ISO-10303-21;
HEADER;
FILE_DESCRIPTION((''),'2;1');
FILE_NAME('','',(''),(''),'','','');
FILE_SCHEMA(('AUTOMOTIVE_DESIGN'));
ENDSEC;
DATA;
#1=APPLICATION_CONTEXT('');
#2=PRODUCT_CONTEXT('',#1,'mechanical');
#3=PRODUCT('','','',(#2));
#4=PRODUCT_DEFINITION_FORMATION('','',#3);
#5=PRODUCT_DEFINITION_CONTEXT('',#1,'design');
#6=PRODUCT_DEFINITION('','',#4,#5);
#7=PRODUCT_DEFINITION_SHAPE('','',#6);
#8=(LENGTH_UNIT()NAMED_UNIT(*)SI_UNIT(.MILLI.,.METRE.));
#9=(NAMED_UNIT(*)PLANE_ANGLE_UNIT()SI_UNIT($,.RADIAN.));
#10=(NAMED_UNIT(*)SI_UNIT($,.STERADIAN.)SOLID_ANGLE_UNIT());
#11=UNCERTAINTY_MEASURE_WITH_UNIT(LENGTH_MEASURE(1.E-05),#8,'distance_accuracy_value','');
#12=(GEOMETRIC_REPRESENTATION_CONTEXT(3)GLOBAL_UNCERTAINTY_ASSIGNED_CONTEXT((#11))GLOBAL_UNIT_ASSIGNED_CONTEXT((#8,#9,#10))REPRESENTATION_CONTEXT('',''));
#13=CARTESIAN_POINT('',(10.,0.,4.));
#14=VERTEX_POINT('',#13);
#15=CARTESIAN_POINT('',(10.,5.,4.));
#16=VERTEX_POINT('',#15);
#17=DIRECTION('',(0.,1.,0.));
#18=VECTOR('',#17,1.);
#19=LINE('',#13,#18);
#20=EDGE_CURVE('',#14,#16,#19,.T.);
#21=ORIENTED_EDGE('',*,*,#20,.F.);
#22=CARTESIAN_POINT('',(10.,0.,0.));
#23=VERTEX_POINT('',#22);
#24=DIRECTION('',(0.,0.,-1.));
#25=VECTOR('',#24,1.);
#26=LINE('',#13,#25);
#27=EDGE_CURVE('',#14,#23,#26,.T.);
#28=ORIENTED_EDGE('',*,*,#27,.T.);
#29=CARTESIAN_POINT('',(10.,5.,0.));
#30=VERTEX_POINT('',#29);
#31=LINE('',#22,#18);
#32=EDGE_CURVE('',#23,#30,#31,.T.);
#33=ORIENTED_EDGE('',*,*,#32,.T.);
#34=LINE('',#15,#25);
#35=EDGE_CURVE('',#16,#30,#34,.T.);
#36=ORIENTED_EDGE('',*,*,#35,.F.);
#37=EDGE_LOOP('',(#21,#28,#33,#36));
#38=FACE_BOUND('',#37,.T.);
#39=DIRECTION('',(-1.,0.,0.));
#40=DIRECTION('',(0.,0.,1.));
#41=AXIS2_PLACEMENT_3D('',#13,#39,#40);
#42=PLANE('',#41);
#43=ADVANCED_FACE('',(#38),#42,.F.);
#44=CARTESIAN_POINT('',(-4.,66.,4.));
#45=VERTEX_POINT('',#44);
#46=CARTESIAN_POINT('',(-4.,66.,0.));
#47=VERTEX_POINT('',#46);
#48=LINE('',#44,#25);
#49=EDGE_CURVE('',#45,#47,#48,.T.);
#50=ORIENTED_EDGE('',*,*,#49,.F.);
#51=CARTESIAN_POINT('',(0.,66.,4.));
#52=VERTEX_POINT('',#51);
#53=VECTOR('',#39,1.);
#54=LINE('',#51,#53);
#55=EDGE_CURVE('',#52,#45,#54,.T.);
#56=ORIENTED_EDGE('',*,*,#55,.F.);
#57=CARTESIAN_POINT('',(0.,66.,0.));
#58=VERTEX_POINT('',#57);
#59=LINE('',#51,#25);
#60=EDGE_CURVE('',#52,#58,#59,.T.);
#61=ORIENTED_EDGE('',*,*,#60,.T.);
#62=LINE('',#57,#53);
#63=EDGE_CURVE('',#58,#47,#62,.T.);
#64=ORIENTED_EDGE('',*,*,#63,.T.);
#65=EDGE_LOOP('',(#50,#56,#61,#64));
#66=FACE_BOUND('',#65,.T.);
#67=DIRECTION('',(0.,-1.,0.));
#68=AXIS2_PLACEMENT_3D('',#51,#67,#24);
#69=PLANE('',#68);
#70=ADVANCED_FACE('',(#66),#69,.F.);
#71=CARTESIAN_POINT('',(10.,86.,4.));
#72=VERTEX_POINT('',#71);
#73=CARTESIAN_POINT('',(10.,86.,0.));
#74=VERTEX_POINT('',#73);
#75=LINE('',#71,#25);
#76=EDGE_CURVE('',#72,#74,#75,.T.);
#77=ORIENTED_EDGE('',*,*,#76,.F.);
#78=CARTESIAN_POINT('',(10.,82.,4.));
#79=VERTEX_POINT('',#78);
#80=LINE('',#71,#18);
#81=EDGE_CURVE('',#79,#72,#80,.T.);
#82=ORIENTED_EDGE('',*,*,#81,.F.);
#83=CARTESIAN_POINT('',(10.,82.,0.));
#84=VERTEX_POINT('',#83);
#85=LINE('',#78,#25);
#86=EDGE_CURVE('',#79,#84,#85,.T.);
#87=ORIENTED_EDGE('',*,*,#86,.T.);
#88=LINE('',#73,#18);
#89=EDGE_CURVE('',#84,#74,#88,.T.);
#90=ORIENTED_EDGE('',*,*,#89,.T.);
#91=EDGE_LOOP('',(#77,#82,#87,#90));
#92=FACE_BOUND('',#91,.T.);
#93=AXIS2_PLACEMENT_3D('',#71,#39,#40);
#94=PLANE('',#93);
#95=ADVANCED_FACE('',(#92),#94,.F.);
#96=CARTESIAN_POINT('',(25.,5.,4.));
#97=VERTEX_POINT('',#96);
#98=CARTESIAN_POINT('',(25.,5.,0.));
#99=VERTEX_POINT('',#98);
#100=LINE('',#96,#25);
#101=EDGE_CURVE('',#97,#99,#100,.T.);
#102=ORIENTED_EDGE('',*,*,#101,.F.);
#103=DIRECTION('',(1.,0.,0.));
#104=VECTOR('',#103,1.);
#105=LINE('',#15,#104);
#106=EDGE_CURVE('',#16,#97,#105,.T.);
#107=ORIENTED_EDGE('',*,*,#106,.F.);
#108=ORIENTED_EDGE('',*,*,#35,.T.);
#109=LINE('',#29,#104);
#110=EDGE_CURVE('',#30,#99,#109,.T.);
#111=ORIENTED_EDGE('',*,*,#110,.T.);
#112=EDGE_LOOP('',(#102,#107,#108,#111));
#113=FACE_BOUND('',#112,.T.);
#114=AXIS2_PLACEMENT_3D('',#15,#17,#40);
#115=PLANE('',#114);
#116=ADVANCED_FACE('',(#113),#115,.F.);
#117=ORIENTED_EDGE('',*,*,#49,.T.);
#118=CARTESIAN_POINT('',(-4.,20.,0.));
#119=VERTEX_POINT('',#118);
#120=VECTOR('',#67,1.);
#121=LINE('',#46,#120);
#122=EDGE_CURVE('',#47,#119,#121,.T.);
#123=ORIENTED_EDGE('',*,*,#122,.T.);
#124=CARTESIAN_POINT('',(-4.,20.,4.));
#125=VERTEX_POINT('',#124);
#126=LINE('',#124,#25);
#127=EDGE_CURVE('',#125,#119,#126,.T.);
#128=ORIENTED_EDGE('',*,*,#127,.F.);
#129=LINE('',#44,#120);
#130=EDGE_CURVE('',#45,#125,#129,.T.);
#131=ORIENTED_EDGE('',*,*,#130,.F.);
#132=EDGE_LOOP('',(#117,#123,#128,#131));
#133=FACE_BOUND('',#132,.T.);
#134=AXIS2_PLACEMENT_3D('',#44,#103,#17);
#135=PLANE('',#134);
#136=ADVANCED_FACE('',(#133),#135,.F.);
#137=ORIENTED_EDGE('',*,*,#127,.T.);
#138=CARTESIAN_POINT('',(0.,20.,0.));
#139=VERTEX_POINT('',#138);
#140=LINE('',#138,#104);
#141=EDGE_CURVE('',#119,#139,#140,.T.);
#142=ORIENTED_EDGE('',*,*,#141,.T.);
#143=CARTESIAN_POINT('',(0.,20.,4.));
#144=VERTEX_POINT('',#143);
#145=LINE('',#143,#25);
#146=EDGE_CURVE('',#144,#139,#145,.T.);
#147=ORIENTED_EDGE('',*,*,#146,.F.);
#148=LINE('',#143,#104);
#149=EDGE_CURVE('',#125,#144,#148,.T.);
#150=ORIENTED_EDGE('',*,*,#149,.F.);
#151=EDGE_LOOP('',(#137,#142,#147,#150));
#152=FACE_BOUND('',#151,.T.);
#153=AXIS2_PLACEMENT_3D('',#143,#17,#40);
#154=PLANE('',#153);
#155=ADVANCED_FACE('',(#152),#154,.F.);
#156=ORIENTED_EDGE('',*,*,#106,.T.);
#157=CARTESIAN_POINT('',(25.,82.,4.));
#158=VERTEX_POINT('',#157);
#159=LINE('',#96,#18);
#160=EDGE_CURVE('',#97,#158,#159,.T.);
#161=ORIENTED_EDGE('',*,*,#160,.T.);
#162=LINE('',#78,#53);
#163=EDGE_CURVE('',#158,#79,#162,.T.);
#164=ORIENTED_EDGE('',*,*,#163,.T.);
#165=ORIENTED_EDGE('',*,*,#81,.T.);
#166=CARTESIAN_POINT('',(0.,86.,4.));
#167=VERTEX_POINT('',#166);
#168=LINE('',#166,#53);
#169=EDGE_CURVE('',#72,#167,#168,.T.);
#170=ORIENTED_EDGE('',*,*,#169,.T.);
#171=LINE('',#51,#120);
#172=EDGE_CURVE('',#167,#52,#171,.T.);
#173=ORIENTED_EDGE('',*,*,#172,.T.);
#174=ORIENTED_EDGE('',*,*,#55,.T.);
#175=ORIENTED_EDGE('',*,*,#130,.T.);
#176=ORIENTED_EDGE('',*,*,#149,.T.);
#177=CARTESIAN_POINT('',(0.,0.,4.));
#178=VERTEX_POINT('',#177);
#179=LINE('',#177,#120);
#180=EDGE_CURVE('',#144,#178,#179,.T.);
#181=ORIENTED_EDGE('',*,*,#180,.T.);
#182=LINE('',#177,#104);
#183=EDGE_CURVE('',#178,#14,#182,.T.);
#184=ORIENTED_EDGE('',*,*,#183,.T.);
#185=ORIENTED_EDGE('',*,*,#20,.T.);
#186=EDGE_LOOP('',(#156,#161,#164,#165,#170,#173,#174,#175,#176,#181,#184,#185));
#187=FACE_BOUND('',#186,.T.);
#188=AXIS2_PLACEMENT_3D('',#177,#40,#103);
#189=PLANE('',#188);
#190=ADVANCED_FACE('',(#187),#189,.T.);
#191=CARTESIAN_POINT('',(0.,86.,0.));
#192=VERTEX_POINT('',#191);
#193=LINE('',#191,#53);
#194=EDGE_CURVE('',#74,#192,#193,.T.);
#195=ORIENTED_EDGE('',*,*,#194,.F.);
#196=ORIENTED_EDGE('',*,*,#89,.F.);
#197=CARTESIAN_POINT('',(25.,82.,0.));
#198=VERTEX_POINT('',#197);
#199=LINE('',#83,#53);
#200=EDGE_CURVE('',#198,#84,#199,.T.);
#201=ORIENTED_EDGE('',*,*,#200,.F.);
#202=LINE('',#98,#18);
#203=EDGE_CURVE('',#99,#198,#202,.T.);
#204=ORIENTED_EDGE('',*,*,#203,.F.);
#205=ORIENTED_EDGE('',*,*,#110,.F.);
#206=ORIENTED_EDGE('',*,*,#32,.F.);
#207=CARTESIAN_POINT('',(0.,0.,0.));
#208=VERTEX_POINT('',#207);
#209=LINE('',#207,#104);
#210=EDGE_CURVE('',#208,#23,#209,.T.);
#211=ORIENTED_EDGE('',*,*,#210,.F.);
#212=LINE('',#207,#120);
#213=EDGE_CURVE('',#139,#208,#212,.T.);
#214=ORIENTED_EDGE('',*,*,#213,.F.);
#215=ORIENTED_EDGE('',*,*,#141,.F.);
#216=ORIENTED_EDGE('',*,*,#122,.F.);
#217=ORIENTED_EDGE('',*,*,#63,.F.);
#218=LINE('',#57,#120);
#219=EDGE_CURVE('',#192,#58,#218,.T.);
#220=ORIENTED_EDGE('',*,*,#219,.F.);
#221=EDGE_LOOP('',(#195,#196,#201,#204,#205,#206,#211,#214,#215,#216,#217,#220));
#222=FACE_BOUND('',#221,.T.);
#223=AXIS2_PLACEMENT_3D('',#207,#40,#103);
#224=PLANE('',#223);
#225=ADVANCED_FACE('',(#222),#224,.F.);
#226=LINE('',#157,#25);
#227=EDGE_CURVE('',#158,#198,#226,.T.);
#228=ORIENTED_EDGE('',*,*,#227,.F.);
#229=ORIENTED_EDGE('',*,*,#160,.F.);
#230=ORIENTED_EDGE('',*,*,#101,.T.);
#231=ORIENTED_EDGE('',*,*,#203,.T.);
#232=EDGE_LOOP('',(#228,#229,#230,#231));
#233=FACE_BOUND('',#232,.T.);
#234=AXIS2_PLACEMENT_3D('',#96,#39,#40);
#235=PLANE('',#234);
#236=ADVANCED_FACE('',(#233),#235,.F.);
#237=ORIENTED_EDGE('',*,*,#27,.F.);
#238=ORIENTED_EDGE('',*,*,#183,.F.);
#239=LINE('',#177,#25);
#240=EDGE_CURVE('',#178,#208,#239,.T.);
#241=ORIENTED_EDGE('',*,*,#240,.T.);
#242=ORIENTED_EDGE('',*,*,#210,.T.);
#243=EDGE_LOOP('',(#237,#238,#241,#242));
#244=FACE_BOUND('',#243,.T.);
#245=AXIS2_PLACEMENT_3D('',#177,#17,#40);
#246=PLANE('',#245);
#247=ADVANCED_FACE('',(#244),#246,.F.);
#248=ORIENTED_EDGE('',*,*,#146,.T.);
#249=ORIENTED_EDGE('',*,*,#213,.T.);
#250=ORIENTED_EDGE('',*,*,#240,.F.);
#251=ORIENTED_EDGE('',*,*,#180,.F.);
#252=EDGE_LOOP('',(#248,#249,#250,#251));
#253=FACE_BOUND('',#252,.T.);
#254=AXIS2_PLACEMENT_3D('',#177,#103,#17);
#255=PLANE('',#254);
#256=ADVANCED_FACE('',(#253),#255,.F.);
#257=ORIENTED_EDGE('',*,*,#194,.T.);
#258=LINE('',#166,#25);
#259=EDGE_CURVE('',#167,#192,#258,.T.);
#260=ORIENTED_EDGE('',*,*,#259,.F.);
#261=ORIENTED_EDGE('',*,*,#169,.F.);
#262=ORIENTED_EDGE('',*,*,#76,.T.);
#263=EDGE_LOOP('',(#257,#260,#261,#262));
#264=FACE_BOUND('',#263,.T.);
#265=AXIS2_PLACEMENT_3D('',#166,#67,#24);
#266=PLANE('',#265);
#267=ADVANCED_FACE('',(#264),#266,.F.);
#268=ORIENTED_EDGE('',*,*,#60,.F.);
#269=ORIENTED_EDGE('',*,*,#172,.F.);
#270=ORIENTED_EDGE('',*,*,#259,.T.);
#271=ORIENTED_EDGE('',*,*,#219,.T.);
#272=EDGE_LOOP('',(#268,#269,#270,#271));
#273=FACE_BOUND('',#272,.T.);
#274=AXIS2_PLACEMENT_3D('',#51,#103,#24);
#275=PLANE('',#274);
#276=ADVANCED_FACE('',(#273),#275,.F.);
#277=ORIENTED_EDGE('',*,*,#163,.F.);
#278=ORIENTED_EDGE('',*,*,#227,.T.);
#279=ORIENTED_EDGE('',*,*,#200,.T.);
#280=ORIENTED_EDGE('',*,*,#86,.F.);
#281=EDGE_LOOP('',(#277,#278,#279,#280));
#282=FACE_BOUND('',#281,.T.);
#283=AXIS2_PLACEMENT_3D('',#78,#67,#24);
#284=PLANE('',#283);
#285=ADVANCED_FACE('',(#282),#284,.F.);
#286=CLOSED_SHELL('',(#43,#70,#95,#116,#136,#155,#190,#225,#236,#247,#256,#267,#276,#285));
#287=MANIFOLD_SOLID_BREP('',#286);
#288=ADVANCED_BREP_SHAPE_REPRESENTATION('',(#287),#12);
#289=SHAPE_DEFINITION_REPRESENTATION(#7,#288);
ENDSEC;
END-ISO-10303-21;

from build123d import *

# Parameters (mm, degrees)
BOSS_EXTRUDE1_DEPTH = 4


with BuildPart() as part:
    # Sketch1 → Boss-Extrude1 (new body)
    with BuildSketch(Plane.XY):
        Polygon((0, 66), (0, 86), (10, 86), (10, 82), (25, 82), (25, 5), (10, 5), (10, 0), (0, 0), (0, 20), (-4, 20), (-4, 66), align=None)
    extrude(amount=BOSS_EXTRUDE1_DEPTH)


solid = part.part
